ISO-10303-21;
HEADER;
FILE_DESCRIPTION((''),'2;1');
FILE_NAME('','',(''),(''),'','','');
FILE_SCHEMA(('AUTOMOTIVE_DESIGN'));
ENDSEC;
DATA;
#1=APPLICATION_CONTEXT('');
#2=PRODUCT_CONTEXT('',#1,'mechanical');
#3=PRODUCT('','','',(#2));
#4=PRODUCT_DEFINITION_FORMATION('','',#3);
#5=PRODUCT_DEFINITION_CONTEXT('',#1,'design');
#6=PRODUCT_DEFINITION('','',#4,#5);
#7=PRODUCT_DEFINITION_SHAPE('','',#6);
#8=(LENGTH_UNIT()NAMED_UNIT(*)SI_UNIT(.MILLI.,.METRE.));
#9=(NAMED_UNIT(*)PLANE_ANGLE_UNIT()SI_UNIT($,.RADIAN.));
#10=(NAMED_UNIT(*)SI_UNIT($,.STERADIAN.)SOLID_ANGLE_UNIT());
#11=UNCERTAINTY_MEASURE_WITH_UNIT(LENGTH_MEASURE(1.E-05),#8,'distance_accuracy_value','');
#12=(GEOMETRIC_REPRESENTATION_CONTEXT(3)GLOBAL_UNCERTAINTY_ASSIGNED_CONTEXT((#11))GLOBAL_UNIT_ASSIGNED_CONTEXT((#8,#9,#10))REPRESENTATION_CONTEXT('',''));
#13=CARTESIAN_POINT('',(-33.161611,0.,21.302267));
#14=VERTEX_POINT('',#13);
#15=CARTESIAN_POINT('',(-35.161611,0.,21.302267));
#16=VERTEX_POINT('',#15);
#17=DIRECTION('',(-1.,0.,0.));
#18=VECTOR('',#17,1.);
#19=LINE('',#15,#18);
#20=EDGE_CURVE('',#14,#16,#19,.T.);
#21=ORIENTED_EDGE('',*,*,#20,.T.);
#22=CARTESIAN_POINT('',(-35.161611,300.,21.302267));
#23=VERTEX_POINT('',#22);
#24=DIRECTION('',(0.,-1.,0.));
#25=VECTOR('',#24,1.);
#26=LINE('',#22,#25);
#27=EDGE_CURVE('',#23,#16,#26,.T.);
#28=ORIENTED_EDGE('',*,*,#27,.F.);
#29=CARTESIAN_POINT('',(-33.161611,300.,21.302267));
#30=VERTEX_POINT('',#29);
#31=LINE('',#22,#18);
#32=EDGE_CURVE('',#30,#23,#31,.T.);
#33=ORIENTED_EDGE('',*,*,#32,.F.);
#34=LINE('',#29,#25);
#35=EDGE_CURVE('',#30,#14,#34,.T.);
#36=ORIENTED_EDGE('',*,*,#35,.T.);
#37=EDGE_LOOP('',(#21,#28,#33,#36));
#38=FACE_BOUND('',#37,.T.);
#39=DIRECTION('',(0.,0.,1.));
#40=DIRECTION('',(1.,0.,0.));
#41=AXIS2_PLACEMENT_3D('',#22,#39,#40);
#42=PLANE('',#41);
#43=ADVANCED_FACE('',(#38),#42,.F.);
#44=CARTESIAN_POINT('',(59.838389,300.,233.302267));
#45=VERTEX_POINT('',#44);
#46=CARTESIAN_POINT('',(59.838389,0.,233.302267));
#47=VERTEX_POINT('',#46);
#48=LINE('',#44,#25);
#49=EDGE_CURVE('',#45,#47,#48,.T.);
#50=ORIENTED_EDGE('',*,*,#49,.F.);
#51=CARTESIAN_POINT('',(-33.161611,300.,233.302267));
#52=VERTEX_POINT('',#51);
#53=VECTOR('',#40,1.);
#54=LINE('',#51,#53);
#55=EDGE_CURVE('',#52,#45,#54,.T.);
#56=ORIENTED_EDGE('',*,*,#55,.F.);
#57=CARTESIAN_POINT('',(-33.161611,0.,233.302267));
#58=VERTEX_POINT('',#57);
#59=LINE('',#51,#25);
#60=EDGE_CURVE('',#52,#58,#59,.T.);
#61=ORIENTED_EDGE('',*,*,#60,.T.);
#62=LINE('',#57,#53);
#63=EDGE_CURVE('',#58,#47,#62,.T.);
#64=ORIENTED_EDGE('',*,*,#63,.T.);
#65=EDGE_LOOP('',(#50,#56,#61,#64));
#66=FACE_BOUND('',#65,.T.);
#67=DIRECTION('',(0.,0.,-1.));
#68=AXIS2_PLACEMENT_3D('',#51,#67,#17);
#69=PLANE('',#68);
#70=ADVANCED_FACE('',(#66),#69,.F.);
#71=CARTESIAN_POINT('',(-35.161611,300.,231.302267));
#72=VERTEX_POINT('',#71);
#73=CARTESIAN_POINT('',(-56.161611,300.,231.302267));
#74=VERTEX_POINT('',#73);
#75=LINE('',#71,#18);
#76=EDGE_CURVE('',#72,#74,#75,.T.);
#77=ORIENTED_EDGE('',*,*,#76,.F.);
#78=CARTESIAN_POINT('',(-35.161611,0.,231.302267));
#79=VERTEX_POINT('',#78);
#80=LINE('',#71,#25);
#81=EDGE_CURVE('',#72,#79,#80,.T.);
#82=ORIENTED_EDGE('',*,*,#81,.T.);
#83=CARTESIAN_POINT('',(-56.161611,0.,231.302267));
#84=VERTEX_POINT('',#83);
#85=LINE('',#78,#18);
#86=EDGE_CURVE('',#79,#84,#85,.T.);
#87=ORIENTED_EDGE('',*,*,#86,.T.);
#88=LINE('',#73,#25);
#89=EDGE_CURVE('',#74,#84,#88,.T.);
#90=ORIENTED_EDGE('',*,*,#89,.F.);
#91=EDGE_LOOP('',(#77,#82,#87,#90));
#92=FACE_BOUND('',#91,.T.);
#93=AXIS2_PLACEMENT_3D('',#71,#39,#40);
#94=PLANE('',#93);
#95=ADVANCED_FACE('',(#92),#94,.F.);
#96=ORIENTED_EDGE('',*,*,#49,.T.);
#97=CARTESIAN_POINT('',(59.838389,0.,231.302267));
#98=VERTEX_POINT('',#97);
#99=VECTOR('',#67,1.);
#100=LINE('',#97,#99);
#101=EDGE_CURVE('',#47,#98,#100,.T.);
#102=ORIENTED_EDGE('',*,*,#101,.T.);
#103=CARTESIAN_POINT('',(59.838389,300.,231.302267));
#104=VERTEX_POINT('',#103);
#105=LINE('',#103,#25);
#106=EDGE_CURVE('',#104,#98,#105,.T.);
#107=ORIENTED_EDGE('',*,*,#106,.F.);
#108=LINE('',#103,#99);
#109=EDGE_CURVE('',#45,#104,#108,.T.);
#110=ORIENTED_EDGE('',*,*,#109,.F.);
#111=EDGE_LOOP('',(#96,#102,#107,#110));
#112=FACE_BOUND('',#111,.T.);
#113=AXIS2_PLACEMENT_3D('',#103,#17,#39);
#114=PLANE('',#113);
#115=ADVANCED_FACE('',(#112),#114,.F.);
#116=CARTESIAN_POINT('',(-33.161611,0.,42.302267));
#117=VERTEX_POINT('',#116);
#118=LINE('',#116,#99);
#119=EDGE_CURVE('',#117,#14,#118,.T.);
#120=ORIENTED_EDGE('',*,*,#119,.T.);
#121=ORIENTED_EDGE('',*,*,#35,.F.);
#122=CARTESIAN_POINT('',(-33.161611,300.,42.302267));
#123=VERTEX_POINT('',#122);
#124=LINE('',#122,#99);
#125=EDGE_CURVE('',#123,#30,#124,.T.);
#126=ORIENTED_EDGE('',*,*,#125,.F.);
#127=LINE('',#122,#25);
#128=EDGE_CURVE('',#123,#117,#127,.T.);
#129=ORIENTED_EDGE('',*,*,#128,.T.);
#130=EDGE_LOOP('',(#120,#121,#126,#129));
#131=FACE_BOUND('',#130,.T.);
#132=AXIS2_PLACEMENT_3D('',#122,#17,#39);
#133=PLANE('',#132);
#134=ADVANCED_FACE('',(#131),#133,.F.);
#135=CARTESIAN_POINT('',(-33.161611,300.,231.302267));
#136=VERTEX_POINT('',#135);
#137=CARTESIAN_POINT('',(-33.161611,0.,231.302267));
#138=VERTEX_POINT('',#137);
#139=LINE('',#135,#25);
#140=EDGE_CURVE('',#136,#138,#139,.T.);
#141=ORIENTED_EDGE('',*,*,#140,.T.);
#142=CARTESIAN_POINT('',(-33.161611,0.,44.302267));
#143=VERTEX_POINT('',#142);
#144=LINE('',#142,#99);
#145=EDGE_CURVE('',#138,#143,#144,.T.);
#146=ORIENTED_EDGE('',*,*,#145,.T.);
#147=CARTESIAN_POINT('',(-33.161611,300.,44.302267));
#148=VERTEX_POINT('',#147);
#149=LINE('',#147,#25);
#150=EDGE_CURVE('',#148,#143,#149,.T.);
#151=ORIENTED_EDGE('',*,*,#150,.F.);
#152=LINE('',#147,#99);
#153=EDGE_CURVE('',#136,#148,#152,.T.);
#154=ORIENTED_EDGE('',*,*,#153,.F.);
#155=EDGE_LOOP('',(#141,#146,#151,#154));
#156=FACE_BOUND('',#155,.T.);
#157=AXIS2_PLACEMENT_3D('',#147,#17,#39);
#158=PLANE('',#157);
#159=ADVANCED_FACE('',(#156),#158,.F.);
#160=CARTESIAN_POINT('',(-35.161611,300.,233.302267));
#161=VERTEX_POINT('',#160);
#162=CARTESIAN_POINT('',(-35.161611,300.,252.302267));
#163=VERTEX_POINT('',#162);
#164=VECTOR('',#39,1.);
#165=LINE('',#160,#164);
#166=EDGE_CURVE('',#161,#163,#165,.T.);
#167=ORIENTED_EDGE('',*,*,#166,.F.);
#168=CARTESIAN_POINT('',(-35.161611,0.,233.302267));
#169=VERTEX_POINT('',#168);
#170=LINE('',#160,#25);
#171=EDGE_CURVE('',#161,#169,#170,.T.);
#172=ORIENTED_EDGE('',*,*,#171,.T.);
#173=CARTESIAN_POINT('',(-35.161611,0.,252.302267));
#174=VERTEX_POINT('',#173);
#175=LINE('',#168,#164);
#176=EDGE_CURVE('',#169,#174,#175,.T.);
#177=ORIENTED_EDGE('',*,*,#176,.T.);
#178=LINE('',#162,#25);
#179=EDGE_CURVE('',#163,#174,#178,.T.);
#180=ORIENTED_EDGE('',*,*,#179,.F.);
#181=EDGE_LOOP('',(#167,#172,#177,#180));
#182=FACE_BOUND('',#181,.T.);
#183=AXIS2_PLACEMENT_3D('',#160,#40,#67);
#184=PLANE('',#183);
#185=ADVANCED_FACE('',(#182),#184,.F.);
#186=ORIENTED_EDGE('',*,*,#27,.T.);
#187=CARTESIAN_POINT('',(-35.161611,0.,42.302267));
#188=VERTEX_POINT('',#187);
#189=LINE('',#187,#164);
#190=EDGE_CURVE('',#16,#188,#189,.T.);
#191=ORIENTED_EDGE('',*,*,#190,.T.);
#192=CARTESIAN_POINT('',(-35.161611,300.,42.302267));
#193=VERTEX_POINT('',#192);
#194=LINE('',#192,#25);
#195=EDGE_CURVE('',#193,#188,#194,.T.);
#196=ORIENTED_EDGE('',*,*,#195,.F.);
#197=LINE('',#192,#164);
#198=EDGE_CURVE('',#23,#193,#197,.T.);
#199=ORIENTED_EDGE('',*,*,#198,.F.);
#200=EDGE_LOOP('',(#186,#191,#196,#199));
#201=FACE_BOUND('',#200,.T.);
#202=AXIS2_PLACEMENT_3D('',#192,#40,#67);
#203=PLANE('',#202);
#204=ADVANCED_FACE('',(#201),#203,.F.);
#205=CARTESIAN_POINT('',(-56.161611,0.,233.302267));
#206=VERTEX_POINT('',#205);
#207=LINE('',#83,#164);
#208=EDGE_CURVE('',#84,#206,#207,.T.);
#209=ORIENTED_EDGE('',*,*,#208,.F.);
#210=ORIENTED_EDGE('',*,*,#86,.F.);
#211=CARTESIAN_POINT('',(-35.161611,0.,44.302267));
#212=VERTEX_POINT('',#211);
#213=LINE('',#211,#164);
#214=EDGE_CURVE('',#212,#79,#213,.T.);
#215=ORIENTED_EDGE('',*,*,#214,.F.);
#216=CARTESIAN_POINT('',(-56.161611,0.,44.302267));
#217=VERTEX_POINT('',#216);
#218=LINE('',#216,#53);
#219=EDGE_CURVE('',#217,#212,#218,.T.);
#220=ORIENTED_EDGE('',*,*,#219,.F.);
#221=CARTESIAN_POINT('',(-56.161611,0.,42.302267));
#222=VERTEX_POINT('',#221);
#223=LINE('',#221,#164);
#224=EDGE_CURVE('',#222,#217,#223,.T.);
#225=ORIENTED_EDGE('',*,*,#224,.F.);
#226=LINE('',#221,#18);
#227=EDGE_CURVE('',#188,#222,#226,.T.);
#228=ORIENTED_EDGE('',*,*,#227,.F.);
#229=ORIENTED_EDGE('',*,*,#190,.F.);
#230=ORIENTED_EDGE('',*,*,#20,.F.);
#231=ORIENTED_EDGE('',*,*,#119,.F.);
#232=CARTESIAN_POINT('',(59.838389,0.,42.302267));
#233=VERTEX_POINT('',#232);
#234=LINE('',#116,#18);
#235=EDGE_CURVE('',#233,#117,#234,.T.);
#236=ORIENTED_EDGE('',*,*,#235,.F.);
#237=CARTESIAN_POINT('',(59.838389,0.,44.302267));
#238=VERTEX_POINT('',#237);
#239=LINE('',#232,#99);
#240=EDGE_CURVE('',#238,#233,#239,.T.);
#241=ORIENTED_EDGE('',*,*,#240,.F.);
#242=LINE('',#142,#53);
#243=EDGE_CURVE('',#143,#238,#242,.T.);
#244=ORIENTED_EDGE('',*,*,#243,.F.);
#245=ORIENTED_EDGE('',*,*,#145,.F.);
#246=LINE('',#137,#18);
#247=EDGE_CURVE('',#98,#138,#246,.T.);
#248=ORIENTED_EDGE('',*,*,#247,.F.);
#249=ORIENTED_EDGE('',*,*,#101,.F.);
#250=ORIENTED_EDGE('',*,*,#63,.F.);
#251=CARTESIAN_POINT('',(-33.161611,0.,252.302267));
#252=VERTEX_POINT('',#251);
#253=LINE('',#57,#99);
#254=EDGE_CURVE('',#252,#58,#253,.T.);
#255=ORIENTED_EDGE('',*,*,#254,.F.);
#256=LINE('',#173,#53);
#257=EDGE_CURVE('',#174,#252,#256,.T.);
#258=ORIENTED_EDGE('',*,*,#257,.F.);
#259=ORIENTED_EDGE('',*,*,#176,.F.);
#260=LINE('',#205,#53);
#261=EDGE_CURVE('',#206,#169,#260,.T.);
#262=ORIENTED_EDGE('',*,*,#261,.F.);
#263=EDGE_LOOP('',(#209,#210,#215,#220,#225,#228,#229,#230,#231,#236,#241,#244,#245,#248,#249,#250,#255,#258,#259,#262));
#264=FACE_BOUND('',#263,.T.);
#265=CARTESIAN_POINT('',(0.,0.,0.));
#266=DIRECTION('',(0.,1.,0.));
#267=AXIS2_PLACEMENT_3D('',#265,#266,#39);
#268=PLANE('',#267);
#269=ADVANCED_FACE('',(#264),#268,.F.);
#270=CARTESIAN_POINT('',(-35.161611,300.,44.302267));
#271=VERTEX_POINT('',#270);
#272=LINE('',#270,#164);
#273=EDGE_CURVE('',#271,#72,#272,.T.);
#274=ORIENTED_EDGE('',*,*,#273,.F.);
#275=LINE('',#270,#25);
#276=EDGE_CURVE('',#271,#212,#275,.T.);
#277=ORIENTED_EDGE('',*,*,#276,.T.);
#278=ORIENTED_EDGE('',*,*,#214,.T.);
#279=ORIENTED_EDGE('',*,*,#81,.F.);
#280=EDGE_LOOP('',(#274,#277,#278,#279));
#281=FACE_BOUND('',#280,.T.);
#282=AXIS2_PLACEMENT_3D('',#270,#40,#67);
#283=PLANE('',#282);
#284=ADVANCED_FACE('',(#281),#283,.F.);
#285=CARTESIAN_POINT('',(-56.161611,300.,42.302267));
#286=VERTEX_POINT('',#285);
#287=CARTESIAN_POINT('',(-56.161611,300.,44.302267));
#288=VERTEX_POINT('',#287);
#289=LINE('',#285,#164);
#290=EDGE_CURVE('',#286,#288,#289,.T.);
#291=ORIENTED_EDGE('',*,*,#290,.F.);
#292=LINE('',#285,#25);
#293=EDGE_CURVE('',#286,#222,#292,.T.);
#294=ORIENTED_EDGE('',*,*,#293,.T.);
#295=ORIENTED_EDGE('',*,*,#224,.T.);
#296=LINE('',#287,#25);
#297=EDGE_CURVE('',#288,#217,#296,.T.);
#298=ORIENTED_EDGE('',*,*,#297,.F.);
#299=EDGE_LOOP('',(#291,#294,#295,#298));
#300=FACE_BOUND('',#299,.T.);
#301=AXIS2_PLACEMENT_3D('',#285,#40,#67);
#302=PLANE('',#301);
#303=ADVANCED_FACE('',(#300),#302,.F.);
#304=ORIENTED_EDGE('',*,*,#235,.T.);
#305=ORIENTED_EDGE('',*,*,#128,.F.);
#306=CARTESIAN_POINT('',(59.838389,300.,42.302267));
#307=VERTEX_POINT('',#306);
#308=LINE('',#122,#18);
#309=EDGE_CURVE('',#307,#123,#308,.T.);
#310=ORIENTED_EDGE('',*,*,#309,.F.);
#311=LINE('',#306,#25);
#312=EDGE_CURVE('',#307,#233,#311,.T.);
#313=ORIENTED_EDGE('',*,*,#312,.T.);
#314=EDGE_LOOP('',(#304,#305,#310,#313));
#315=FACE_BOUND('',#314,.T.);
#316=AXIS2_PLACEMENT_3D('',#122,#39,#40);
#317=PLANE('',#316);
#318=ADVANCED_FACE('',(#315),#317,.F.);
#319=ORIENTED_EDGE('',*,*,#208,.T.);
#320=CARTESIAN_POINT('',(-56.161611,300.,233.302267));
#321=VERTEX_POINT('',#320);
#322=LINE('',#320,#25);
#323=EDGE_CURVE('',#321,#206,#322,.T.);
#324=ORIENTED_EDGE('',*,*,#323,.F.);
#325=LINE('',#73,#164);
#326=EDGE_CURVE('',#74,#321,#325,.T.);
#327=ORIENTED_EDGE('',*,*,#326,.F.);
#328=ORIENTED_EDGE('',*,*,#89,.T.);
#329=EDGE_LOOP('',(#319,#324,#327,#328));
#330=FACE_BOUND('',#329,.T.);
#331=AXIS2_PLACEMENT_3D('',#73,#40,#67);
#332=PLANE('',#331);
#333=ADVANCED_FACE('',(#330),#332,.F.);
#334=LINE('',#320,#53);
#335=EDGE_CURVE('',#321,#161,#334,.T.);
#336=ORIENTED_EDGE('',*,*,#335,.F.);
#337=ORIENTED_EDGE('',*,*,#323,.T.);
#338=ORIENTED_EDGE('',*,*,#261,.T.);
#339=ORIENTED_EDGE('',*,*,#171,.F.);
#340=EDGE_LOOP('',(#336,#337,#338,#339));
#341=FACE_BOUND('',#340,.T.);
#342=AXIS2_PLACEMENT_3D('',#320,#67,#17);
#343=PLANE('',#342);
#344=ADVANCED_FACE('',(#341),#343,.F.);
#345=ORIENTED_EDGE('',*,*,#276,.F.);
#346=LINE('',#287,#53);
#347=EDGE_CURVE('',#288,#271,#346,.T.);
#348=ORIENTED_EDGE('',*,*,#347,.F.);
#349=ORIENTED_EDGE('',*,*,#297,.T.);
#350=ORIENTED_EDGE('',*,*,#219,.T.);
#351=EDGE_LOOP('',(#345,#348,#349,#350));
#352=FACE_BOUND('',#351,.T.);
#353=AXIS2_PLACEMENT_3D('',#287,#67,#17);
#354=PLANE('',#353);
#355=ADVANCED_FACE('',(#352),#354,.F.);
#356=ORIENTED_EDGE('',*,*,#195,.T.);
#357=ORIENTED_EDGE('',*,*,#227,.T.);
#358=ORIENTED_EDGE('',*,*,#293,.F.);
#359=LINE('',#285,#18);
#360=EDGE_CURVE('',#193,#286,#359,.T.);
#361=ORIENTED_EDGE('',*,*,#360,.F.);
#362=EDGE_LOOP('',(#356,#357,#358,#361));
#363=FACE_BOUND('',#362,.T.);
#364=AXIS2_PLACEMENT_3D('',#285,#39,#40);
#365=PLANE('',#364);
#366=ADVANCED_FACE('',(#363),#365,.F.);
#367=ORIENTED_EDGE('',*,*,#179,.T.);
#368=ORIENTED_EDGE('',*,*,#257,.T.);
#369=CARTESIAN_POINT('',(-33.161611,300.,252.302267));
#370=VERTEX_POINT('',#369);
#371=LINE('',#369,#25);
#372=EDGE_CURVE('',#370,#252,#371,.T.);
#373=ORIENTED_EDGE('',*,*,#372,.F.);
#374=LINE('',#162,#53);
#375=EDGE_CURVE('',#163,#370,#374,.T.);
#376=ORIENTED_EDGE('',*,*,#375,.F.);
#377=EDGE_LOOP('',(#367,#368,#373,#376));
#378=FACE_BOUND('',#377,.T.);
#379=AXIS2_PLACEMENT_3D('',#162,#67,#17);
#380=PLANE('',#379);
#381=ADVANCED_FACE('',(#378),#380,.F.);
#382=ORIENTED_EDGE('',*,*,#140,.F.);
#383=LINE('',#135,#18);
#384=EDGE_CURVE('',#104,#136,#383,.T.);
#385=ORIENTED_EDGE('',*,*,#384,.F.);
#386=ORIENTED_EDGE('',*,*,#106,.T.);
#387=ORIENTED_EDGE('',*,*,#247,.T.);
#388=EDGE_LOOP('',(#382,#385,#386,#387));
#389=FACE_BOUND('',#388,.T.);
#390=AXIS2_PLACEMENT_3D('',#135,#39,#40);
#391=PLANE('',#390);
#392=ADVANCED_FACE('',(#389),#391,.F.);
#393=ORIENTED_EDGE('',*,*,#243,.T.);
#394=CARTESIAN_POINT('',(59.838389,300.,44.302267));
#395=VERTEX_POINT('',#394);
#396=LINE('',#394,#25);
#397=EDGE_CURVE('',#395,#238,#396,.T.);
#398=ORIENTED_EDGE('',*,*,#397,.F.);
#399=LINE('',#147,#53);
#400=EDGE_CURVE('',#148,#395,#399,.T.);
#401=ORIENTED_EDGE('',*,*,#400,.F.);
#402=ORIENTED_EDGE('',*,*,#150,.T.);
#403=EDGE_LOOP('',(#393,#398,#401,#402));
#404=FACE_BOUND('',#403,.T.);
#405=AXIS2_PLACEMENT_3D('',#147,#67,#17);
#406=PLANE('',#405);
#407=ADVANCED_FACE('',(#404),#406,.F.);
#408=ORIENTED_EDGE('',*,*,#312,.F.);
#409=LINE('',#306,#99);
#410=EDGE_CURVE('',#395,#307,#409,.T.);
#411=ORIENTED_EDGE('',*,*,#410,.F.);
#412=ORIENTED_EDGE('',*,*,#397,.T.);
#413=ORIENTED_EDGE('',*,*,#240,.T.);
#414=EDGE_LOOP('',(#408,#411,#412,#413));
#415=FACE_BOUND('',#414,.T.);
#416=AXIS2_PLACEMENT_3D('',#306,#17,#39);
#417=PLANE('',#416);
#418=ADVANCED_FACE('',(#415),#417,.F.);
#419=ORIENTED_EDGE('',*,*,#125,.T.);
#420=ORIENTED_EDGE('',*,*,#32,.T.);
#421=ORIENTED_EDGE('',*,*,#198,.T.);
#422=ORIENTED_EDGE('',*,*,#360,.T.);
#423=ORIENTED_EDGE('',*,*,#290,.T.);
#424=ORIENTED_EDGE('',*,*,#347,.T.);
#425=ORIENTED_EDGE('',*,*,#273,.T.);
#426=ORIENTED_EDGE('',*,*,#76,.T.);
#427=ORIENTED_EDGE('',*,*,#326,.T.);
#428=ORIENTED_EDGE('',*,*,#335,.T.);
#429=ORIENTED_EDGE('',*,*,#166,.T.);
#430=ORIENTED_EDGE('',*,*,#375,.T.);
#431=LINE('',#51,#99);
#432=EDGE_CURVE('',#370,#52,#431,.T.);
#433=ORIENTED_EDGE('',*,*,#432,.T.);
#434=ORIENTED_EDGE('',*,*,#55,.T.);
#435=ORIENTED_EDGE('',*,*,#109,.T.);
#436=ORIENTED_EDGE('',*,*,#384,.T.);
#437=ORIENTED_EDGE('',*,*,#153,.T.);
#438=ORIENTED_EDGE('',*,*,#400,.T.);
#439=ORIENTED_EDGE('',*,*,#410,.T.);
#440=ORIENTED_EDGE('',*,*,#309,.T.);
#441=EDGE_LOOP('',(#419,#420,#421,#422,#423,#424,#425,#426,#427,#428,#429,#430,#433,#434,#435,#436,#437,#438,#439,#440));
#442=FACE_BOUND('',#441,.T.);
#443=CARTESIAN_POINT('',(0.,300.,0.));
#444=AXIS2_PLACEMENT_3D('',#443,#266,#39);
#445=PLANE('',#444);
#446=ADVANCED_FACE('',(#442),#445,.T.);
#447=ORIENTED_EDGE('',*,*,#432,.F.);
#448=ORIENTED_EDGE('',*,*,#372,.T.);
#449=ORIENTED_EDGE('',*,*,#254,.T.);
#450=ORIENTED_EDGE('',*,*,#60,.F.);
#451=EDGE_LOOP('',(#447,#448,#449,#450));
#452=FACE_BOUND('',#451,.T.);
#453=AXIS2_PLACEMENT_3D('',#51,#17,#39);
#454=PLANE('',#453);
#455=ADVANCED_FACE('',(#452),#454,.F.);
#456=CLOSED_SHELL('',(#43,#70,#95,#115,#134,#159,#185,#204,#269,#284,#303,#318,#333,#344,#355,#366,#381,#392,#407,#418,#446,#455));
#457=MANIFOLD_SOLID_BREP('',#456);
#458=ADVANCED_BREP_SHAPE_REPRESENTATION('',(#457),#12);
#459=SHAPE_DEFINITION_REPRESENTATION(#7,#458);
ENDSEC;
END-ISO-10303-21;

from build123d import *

# Parameters (mm, degrees)
BOSS_EXTRUDE1_DEPTH = 300


with BuildPart() as part:
    # Sketch1 → Boss-Extrude1 (new body)
    with BuildSketch(Plane(origin=(0, 0, 0), x_dir=(1, 0, 0), z_dir=(0, 1, 0))):
        Polygon((-56.161611152, -42.302266887), (-35.161611152, -42.302266887), (-35.161611152, -21.302266887), (-33.161611152, -21.302266887), (-33.161611152, -42.302266887), (59.838388848, -42.302266887), (59.838388848, -44.302266887), (-33.161611152, -44.302266887), (-33.161611152, -231.302266887), (59.838388848, -231.302266887), (59.838388848, -233.302266887), (-33.161611152, -233.302266887), (-33.161611152, -252.302266887), (-35.161611152, -252.302266887), (-35.161611152, -233.302266887), (-56.161611152, -233.302266887), (-56.161611152, -231.302266887), (-35.161611152, -231.302266887), (-35.161611152, -44.302266887), (-56.161611152, -44.302266887), align=None)
    extrude(amount=BOSS_EXTRUDE1_DEPTH)


solid = part.part
